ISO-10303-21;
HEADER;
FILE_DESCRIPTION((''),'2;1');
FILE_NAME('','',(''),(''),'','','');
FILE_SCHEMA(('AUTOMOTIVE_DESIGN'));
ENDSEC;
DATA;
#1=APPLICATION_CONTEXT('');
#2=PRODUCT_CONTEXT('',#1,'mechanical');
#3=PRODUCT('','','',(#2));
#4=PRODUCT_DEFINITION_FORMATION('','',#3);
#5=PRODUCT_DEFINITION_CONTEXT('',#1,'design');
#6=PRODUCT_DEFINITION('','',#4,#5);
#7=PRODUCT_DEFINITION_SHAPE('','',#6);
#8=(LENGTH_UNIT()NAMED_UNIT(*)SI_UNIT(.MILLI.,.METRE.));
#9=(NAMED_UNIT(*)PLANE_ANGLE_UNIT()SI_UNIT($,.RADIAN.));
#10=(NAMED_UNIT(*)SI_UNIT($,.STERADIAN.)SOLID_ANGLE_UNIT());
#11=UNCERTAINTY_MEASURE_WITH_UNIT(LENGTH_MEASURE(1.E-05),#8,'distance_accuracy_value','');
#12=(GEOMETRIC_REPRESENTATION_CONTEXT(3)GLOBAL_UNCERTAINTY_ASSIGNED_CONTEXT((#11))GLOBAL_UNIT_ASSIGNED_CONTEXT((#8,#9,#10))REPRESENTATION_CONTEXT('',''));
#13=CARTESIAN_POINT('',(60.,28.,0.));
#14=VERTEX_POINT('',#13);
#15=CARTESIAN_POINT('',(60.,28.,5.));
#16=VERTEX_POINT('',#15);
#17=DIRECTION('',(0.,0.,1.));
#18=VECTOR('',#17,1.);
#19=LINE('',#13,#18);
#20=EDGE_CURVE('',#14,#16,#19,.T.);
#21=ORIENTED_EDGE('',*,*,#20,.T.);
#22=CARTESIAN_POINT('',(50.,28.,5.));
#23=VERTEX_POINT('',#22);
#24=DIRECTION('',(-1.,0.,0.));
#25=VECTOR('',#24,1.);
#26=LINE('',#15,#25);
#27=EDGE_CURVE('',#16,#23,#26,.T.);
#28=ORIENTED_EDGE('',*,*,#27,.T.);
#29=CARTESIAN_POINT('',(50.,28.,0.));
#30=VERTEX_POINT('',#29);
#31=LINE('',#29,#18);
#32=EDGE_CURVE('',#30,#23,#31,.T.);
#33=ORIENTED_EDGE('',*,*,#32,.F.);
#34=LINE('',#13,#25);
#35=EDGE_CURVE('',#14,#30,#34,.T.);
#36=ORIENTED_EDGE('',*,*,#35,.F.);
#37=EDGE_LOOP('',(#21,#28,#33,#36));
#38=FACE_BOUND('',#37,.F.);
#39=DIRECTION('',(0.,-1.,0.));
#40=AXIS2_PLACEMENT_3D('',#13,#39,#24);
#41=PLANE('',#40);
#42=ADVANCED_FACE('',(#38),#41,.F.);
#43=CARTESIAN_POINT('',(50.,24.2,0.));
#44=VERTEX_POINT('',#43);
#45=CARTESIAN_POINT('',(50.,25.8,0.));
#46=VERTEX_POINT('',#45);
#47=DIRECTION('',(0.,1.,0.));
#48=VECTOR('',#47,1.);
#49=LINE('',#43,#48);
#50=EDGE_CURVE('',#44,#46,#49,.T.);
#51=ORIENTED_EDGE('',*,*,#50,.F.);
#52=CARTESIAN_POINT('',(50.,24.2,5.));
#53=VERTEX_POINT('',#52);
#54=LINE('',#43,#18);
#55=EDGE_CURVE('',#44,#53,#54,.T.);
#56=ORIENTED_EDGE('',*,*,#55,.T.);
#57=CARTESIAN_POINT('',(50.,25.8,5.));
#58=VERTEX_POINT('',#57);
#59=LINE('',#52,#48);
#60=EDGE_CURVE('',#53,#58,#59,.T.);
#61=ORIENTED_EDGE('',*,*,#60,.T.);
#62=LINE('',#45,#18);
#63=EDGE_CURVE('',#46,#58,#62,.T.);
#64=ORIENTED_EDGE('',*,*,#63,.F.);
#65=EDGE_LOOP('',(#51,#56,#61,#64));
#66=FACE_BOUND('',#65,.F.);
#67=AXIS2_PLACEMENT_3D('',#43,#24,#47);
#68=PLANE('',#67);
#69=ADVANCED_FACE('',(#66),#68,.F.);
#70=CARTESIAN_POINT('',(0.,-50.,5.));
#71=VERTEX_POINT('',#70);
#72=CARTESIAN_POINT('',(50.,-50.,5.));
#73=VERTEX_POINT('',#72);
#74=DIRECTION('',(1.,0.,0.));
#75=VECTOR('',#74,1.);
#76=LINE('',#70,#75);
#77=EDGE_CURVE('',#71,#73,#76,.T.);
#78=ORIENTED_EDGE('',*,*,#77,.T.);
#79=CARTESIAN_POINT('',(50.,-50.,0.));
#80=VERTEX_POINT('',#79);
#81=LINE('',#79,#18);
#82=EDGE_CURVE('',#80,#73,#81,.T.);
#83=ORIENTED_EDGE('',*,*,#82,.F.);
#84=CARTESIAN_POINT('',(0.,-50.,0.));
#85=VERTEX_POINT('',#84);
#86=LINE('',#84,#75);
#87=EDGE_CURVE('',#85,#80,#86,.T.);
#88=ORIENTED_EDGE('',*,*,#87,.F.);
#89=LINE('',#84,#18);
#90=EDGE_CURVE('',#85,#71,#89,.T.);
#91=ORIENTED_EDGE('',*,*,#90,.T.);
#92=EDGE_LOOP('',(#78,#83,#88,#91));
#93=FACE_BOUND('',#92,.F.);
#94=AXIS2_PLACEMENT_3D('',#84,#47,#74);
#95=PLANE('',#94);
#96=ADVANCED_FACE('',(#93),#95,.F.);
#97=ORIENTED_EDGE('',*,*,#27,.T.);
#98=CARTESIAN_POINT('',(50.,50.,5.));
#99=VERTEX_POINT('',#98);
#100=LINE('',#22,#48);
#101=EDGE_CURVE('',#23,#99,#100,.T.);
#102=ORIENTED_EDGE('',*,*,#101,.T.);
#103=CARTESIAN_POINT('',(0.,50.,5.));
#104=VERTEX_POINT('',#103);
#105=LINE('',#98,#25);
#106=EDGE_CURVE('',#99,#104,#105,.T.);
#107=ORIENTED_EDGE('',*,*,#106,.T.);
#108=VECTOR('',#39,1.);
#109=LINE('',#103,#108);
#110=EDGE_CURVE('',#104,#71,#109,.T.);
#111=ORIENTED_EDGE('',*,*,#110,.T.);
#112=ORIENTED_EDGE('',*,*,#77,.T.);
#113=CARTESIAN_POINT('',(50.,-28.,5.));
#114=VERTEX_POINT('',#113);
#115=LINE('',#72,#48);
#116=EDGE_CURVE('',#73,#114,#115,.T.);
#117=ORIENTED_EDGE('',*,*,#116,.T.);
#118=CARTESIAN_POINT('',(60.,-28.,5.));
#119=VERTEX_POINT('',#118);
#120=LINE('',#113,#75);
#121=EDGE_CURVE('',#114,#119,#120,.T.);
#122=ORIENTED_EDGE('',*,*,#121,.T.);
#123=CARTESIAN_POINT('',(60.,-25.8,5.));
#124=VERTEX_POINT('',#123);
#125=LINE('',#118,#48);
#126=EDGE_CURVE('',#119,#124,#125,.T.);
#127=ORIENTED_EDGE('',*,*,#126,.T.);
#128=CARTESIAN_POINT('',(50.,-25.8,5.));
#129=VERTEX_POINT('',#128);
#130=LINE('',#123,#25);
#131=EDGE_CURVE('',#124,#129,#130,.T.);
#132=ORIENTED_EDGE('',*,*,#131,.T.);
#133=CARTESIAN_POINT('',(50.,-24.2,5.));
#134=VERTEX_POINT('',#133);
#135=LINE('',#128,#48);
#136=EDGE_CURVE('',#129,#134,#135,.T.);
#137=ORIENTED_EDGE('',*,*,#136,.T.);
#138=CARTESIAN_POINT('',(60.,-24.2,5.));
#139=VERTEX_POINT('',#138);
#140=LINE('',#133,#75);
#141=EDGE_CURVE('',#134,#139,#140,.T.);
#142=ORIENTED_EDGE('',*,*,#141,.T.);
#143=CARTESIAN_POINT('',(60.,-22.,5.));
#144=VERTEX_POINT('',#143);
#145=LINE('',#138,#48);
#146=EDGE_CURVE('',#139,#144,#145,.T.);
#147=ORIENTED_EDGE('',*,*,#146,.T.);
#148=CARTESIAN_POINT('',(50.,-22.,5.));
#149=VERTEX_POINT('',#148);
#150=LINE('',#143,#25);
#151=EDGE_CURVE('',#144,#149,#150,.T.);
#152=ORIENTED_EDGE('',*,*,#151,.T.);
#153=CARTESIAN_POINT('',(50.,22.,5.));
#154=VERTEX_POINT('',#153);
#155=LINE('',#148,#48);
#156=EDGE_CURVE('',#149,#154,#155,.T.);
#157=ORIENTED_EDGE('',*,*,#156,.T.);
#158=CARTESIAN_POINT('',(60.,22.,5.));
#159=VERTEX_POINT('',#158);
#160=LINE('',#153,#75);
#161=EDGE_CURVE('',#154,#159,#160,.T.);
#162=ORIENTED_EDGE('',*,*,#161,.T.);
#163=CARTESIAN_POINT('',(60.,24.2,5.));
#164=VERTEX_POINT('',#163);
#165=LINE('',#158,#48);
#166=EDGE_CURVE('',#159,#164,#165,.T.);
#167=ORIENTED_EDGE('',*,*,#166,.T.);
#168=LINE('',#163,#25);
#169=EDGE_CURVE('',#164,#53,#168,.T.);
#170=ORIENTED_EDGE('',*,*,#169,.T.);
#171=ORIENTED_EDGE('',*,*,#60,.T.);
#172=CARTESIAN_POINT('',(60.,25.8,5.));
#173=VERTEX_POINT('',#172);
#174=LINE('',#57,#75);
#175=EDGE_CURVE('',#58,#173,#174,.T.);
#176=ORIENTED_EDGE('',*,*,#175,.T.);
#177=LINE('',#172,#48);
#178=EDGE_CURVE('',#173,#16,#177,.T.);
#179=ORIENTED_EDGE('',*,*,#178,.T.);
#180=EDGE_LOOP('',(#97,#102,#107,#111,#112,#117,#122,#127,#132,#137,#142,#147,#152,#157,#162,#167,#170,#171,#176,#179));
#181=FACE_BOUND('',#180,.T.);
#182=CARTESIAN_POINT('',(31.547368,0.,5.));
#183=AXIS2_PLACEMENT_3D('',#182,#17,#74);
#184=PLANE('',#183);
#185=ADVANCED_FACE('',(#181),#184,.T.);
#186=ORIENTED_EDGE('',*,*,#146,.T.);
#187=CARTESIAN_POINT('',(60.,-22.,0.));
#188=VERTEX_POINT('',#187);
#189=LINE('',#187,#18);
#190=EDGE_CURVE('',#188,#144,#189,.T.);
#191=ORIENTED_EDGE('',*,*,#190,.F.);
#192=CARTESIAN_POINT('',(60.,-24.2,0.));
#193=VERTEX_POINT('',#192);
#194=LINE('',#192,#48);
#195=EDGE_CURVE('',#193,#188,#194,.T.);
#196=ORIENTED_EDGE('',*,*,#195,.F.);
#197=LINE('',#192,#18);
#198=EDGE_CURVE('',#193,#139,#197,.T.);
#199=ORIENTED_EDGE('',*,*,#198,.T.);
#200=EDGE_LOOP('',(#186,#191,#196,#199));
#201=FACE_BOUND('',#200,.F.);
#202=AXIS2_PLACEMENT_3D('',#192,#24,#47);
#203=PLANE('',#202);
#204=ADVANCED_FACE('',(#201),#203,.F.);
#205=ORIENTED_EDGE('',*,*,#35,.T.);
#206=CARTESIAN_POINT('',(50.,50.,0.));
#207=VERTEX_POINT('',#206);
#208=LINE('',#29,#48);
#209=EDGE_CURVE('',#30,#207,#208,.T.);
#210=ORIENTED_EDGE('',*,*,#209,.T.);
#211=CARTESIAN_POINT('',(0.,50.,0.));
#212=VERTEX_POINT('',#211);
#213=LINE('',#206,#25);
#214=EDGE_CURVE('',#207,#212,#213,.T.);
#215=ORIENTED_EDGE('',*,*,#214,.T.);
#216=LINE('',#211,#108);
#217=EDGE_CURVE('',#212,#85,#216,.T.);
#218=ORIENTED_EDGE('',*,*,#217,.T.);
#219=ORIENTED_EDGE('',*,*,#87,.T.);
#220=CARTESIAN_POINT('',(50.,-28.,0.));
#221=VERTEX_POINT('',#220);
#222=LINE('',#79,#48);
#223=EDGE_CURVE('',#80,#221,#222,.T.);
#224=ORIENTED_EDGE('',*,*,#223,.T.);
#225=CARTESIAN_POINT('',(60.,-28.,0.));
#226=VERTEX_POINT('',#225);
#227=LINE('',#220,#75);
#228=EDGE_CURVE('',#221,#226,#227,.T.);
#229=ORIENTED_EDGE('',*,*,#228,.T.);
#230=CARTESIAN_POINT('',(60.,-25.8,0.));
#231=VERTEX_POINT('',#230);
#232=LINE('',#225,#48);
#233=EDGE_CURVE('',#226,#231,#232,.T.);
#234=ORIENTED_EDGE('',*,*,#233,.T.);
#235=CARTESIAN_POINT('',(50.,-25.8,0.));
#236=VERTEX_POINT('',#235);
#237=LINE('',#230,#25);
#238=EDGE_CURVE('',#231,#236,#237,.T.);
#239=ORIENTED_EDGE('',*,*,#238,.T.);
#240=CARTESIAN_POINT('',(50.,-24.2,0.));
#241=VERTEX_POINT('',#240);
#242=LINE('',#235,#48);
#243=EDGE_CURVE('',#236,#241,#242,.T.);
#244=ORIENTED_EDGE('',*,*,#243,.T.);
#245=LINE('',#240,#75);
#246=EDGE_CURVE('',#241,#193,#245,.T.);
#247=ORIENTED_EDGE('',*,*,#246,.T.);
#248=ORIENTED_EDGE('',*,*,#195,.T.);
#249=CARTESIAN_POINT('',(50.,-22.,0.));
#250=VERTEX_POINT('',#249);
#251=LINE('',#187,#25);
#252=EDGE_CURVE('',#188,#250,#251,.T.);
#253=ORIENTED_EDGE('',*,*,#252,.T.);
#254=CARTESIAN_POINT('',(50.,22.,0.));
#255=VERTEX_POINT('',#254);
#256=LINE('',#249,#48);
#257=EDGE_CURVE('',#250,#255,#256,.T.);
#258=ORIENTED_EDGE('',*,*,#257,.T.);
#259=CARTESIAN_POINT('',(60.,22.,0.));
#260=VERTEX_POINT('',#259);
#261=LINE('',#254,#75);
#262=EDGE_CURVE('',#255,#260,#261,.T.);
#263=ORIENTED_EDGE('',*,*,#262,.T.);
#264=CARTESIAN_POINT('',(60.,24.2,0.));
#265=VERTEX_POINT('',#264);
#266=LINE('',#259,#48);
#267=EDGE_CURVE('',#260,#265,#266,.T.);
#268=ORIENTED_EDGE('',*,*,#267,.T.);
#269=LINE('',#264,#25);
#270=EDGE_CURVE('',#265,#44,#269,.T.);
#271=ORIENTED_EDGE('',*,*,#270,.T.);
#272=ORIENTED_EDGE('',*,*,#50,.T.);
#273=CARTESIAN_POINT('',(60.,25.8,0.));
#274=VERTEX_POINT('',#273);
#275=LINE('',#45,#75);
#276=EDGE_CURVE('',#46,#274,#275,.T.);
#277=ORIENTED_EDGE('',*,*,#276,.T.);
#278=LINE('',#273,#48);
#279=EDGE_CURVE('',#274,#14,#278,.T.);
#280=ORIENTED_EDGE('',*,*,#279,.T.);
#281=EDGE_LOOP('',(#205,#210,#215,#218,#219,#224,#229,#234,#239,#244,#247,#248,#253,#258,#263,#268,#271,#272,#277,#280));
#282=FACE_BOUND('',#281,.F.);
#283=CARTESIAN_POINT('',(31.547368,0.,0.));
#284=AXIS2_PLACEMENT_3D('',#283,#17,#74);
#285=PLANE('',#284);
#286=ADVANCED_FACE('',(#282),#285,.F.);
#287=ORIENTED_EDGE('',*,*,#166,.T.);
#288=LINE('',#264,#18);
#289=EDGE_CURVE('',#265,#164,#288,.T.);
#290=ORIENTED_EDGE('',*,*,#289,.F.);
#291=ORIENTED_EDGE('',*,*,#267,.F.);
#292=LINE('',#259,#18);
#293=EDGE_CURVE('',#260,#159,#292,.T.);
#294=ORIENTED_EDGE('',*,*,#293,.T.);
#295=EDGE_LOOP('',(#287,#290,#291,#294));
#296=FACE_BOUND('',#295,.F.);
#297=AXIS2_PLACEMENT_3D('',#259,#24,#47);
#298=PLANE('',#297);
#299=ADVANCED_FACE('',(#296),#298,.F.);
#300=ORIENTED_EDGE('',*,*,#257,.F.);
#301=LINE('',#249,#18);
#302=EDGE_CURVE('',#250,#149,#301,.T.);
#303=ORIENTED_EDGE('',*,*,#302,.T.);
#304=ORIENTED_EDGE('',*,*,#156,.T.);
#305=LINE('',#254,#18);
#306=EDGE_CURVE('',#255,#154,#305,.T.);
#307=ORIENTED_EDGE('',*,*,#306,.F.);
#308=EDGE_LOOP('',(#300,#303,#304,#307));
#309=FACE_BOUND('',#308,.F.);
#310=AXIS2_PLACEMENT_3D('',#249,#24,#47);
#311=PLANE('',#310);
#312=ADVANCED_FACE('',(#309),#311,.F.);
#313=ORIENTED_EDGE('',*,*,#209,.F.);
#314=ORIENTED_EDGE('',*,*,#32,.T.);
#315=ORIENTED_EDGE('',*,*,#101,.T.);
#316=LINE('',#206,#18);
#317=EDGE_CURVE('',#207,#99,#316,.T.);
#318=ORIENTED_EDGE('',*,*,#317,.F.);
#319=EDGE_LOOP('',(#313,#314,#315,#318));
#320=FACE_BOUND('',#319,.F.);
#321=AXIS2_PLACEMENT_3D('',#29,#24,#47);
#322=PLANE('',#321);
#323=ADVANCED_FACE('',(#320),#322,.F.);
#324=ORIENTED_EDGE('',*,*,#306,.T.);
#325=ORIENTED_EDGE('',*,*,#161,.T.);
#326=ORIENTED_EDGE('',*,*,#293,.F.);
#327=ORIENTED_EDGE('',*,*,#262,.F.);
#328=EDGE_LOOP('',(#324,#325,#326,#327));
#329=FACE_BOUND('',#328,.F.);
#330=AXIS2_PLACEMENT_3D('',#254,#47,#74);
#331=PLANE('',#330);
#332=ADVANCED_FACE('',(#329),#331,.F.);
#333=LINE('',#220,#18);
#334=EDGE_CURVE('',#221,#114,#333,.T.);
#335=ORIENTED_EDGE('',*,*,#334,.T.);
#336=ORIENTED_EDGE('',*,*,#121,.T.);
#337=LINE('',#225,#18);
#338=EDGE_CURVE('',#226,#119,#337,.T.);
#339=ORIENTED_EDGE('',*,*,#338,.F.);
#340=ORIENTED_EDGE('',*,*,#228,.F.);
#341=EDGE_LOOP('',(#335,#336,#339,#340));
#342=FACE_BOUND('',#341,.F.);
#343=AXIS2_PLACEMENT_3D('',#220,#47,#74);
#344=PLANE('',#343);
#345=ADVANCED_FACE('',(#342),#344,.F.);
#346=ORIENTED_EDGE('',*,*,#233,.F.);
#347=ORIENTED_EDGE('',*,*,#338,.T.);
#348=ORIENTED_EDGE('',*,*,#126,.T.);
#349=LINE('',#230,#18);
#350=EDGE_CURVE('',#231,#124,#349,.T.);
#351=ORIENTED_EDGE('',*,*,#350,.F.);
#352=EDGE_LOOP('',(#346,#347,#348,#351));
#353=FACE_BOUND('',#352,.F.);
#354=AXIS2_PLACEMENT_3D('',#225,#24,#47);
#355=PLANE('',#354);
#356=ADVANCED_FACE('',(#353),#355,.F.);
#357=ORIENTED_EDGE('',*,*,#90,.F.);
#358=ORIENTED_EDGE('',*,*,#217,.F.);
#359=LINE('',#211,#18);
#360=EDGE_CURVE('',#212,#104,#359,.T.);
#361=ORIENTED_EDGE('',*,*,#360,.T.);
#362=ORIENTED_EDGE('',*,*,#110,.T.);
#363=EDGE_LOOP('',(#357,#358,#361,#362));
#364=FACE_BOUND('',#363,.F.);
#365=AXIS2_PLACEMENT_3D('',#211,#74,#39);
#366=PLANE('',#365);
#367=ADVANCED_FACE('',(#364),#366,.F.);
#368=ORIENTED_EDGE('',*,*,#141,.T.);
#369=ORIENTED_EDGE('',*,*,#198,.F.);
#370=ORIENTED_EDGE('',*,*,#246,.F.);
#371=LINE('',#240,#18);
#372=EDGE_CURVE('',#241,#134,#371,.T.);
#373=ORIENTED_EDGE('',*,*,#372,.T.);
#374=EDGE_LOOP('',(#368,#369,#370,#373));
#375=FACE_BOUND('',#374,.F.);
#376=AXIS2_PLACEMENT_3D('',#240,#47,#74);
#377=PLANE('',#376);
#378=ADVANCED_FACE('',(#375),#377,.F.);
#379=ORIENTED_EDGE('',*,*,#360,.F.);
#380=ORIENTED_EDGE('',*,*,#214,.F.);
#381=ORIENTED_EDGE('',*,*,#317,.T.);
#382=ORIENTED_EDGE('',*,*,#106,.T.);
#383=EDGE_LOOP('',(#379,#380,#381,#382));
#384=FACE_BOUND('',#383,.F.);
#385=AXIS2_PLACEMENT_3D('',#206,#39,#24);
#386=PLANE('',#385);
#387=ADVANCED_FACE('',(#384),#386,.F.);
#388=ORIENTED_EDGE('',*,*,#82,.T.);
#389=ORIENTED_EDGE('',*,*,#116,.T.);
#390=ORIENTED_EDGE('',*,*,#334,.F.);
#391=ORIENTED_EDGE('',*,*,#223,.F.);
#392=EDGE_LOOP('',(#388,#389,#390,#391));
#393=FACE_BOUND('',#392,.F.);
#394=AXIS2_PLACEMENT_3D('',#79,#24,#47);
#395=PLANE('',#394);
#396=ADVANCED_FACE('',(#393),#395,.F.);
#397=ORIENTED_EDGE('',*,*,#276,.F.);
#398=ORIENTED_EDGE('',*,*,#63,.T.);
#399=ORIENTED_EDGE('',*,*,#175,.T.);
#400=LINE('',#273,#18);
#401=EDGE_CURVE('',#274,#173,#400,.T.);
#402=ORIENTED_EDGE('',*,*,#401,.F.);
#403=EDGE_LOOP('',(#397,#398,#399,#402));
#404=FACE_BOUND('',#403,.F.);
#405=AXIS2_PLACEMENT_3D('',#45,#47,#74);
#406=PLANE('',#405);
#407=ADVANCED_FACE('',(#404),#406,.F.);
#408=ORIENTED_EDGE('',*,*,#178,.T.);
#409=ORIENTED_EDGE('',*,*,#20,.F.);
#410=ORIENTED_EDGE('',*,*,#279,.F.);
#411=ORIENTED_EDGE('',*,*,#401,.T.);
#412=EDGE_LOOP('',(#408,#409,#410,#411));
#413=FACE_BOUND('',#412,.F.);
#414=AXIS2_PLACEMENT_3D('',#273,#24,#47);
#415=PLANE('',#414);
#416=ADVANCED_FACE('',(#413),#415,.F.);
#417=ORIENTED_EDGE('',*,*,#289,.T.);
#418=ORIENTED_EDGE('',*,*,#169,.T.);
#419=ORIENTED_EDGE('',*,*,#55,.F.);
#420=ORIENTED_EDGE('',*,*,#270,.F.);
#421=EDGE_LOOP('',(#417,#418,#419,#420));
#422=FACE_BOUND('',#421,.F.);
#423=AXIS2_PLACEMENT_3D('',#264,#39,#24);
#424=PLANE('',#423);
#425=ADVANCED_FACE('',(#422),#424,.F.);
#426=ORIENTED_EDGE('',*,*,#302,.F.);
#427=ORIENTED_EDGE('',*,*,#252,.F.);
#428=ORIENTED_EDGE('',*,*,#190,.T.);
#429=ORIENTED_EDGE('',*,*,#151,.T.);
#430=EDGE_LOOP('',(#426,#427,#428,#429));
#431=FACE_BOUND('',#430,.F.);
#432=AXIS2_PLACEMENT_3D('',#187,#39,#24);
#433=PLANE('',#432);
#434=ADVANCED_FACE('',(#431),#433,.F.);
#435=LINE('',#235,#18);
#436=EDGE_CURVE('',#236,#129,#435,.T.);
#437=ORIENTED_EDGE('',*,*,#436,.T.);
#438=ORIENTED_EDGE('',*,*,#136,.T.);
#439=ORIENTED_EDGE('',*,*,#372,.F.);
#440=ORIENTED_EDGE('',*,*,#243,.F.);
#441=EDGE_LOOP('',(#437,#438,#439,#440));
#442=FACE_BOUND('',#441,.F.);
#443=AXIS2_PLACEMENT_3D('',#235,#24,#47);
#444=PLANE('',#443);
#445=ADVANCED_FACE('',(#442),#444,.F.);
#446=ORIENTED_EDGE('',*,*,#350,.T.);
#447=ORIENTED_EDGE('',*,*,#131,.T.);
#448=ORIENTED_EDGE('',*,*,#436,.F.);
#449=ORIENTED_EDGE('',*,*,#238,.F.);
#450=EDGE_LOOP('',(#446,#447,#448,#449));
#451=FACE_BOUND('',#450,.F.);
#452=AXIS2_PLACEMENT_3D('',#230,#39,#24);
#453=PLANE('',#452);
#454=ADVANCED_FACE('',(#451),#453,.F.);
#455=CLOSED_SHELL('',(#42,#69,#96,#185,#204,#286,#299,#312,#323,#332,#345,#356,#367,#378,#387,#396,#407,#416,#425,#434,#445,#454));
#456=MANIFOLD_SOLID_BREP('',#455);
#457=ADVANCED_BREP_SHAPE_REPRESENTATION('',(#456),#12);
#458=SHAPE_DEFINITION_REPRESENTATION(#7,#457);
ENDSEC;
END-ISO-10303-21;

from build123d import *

# Parameters (mm, degrees)
F1_DEPTH = 5


with BuildPart() as f1:
    # F0 (on Top) → F1 (new body)
    with BuildSketch(Plane.XY):
        Polygon((0, 50), (0, 0), (0, -50), (50, -50), (50, -28), (60, -28), (60, -25.8), (50, -25.8), (50, -24.2), (60, -24.2), (60, -22), (50, -22), (50, 0), (50, 22), (60, 22), (60, 24.2), (50, 24.2), (50, 25.8), (60, 25.8), (60, 28), (50, 28), (50, 50), align=None)
    extrude(amount=F1_DEPTH)


solid = f1.part
